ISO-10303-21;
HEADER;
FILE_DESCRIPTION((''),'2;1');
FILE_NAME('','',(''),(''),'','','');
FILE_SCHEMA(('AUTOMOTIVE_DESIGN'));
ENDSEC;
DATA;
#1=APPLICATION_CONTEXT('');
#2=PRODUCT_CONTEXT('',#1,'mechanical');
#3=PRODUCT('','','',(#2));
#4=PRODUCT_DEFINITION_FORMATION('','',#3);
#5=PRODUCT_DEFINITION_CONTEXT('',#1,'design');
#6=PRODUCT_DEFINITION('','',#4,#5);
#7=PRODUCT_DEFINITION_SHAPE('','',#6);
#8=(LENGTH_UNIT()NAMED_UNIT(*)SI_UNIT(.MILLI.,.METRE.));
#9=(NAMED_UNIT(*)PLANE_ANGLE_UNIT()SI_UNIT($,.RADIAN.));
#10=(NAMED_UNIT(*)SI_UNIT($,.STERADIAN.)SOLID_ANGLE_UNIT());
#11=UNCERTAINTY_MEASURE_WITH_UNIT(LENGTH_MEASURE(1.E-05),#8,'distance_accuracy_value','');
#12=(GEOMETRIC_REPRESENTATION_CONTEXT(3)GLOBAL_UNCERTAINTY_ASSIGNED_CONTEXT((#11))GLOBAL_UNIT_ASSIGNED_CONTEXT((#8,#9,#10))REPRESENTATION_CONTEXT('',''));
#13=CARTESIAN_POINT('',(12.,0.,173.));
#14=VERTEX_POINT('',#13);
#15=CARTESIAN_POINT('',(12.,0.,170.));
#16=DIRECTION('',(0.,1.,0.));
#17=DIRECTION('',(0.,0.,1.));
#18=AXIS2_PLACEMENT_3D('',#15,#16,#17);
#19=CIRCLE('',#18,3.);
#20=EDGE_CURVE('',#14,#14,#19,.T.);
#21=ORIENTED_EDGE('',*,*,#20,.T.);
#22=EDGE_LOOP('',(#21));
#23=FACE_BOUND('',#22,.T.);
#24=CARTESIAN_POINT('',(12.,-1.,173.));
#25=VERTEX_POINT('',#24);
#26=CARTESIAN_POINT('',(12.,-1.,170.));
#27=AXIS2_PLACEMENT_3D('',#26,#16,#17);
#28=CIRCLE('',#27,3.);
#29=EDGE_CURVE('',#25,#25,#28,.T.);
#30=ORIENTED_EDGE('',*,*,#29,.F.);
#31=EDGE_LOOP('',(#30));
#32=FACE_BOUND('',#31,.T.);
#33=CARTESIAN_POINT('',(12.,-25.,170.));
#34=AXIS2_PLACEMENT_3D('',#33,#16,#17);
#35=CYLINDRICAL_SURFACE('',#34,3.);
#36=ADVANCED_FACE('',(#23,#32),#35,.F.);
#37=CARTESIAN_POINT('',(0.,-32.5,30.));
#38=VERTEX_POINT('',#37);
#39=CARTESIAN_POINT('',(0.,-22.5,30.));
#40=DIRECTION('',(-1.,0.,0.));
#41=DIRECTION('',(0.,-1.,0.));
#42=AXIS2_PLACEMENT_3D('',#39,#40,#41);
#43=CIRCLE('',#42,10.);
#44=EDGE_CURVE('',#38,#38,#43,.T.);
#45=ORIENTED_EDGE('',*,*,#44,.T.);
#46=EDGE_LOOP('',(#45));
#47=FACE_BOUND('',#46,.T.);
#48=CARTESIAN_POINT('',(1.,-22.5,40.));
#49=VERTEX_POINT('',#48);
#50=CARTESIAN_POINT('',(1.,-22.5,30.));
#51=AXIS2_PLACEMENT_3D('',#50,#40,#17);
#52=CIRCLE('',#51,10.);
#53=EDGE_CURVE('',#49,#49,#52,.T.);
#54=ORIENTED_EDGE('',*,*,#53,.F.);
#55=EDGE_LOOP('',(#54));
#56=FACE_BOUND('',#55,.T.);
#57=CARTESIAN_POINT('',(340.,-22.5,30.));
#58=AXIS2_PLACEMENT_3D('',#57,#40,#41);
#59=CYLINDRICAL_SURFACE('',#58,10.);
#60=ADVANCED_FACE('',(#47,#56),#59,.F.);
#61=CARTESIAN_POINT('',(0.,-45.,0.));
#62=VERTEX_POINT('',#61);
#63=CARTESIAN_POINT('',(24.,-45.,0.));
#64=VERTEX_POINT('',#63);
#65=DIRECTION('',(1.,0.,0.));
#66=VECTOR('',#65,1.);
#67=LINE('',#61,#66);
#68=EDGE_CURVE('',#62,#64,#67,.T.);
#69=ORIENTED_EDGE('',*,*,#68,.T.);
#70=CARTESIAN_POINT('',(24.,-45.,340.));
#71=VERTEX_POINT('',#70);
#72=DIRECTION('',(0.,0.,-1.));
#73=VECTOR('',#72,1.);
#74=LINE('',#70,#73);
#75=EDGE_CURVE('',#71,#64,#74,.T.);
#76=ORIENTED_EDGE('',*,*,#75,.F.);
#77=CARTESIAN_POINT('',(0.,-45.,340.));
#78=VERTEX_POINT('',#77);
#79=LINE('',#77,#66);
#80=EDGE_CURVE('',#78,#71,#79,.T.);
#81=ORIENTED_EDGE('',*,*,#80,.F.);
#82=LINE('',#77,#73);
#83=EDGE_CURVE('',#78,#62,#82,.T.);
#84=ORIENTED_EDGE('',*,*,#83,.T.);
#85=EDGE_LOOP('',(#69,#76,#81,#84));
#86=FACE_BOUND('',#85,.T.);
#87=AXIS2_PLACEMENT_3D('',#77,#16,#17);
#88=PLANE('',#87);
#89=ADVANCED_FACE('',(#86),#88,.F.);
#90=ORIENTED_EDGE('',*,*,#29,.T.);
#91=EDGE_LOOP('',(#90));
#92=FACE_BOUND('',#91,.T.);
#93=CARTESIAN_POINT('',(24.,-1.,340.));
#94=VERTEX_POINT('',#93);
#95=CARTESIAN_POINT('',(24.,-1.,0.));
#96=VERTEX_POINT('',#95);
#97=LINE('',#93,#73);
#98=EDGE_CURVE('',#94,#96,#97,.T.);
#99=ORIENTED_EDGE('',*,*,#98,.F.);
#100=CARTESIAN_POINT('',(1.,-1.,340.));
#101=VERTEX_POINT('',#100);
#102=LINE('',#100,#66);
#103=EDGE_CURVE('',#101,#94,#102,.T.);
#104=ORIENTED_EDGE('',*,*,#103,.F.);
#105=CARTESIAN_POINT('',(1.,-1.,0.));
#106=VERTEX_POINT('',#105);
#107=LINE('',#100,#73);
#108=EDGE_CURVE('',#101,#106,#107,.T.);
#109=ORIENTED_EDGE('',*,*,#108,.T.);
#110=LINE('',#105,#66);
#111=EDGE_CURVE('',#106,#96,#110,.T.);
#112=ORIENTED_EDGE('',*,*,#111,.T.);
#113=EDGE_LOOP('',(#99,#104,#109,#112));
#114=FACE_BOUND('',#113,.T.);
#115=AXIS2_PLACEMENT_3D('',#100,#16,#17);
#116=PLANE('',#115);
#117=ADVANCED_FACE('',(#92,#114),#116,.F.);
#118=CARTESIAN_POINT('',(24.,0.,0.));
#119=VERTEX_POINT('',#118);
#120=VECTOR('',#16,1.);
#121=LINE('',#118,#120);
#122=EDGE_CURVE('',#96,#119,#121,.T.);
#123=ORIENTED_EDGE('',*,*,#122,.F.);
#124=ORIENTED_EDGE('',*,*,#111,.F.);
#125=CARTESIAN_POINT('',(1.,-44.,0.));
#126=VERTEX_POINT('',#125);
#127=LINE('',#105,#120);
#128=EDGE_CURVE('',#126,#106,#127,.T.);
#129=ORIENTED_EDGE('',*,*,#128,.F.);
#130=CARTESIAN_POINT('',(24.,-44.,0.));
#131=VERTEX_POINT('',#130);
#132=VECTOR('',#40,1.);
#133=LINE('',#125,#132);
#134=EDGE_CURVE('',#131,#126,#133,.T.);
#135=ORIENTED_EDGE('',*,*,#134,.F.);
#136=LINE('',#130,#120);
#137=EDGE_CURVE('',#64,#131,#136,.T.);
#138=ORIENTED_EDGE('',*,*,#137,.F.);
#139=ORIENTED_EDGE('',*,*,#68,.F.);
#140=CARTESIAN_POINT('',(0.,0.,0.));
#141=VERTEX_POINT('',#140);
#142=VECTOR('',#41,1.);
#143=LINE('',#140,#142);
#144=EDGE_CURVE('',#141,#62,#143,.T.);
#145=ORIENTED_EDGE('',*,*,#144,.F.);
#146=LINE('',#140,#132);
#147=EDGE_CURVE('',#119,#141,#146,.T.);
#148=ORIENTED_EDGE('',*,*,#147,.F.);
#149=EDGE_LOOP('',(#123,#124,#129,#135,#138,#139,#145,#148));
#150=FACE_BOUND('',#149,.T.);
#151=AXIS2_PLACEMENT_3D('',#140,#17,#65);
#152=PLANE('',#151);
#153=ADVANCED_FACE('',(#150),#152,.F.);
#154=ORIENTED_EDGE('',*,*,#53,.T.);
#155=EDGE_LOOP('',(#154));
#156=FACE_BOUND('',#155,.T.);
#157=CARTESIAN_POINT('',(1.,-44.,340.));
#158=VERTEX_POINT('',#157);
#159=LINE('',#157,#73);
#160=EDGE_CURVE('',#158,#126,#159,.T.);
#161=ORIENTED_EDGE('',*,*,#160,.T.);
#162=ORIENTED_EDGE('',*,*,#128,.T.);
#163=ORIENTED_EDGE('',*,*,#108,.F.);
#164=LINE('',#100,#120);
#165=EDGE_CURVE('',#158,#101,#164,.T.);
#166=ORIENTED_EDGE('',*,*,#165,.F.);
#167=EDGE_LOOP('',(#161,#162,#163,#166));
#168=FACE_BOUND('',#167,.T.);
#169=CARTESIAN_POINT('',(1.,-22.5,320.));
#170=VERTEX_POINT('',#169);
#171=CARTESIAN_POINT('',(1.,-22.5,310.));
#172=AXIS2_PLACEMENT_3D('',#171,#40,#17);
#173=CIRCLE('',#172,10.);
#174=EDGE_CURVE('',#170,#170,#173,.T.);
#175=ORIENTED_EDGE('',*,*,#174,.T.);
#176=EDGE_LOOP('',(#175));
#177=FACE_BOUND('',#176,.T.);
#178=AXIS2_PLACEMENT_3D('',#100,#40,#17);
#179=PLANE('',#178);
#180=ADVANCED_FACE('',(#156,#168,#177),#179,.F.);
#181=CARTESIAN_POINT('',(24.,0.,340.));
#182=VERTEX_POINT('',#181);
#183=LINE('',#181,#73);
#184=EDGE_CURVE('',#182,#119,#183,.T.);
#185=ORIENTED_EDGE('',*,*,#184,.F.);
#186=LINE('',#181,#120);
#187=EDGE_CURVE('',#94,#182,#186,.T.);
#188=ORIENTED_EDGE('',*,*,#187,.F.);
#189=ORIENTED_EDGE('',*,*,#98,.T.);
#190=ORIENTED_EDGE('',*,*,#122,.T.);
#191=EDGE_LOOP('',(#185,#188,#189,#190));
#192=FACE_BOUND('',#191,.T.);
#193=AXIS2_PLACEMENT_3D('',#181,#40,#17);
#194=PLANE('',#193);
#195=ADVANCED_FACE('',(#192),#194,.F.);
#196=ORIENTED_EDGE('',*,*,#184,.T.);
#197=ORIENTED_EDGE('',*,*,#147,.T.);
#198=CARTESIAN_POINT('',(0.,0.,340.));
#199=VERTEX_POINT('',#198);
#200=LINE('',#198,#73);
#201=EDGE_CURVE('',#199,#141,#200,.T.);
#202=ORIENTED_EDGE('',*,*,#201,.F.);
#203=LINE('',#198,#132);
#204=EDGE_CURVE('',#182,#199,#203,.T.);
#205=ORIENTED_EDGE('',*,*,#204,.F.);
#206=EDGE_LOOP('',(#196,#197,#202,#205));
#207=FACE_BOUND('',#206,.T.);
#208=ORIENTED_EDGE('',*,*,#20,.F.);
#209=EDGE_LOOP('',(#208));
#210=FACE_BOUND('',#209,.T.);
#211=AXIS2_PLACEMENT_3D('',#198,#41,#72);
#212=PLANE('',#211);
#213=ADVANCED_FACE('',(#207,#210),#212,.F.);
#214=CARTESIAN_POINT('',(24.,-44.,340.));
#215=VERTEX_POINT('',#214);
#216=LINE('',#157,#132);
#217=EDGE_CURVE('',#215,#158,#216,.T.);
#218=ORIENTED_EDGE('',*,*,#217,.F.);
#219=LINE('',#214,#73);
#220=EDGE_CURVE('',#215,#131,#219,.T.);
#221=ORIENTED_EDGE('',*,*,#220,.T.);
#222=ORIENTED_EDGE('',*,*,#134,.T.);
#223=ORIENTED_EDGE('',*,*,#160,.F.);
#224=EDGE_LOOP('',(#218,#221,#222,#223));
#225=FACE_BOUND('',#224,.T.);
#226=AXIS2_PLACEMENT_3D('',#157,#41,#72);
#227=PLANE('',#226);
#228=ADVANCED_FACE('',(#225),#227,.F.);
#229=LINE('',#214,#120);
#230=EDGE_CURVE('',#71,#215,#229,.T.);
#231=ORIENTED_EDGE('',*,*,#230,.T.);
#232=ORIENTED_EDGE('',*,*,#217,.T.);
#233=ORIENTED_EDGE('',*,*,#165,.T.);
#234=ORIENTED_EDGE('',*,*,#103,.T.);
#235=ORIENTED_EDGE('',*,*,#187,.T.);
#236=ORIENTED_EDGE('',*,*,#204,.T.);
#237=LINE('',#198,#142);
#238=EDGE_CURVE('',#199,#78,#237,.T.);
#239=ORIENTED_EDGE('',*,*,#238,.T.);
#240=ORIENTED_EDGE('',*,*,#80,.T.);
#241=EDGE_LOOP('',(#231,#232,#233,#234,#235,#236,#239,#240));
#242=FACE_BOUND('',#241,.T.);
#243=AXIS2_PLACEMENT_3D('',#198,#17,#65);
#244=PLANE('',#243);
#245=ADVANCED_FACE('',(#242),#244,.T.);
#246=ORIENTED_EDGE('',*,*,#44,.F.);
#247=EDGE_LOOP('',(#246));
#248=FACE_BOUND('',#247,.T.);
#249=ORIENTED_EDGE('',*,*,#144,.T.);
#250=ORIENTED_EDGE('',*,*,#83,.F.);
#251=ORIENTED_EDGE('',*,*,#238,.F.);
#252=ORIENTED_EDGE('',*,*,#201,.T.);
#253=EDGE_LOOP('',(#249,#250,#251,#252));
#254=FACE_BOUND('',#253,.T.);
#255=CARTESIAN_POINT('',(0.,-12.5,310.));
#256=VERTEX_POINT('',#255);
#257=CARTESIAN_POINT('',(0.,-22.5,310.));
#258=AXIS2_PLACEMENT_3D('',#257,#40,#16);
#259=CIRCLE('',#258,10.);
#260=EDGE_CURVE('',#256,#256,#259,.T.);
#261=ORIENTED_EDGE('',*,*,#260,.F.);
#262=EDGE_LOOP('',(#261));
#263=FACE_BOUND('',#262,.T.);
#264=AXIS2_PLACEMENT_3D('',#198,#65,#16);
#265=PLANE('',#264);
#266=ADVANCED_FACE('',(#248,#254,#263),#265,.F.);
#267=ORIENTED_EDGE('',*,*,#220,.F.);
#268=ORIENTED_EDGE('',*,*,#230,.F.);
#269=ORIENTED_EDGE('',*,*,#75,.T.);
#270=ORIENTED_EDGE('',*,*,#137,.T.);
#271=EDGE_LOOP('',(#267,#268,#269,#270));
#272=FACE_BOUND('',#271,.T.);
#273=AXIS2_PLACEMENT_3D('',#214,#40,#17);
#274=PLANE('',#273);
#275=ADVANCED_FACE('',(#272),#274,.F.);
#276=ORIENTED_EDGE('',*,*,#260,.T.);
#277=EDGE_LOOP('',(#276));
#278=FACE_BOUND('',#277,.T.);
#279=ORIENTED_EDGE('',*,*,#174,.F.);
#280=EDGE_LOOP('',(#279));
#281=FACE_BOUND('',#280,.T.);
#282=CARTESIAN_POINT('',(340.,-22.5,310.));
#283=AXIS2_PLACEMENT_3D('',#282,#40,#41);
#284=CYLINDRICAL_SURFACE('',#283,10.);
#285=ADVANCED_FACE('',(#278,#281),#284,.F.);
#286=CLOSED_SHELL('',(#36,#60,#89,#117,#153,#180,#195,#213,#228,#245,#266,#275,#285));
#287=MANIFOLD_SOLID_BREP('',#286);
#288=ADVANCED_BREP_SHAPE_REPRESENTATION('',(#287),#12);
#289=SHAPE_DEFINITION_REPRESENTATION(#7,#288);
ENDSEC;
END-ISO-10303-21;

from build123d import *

# Parameters (mm, degrees)
BOSS_EXTRUDE1_DEPTH = 340
SKETCH3_R           = 10
CUT_EXTRUDE1_DEPTH  = 340
SKETCH4_R           = 3
CUT_EXTRUDE2_DEPTH  = 25


with BuildPart() as part:
    # Sketch2 → Boss-Extrude1 (new body)
    with BuildSketch(Plane.XY):
        Polygon((0, 0), (24, 0), (24, -1), (1, -1), (1, -44), (24, -44), (24, -45), (0, -45), align=None)
    extrude(amount=BOSS_EXTRUDE1_DEPTH)

    # Sketch3 → Cut-Extrude1 (cut)
    with BuildSketch(Plane.ZY):
        with Locations((30, -22.5)):
            Circle(SKETCH3_R)
        with Locations((310, -22.5)):
            Circle(SKETCH3_R)
    extrude(amount=-CUT_EXTRUDE1_DEPTH, mode=Mode.SUBTRACT)

    # Sketch4 → Cut-Extrude2 (cut)
    with BuildSketch(Plane(origin=(0, 0, 0), x_dir=(1, 0, 0), z_dir=(0, 1, 0))):
        with Locations((12, -170)):
            Circle(SKETCH4_R)
    extrude(amount=-CUT_EXTRUDE2_DEPTH, mode=Mode.SUBTRACT)


solid = part.part
